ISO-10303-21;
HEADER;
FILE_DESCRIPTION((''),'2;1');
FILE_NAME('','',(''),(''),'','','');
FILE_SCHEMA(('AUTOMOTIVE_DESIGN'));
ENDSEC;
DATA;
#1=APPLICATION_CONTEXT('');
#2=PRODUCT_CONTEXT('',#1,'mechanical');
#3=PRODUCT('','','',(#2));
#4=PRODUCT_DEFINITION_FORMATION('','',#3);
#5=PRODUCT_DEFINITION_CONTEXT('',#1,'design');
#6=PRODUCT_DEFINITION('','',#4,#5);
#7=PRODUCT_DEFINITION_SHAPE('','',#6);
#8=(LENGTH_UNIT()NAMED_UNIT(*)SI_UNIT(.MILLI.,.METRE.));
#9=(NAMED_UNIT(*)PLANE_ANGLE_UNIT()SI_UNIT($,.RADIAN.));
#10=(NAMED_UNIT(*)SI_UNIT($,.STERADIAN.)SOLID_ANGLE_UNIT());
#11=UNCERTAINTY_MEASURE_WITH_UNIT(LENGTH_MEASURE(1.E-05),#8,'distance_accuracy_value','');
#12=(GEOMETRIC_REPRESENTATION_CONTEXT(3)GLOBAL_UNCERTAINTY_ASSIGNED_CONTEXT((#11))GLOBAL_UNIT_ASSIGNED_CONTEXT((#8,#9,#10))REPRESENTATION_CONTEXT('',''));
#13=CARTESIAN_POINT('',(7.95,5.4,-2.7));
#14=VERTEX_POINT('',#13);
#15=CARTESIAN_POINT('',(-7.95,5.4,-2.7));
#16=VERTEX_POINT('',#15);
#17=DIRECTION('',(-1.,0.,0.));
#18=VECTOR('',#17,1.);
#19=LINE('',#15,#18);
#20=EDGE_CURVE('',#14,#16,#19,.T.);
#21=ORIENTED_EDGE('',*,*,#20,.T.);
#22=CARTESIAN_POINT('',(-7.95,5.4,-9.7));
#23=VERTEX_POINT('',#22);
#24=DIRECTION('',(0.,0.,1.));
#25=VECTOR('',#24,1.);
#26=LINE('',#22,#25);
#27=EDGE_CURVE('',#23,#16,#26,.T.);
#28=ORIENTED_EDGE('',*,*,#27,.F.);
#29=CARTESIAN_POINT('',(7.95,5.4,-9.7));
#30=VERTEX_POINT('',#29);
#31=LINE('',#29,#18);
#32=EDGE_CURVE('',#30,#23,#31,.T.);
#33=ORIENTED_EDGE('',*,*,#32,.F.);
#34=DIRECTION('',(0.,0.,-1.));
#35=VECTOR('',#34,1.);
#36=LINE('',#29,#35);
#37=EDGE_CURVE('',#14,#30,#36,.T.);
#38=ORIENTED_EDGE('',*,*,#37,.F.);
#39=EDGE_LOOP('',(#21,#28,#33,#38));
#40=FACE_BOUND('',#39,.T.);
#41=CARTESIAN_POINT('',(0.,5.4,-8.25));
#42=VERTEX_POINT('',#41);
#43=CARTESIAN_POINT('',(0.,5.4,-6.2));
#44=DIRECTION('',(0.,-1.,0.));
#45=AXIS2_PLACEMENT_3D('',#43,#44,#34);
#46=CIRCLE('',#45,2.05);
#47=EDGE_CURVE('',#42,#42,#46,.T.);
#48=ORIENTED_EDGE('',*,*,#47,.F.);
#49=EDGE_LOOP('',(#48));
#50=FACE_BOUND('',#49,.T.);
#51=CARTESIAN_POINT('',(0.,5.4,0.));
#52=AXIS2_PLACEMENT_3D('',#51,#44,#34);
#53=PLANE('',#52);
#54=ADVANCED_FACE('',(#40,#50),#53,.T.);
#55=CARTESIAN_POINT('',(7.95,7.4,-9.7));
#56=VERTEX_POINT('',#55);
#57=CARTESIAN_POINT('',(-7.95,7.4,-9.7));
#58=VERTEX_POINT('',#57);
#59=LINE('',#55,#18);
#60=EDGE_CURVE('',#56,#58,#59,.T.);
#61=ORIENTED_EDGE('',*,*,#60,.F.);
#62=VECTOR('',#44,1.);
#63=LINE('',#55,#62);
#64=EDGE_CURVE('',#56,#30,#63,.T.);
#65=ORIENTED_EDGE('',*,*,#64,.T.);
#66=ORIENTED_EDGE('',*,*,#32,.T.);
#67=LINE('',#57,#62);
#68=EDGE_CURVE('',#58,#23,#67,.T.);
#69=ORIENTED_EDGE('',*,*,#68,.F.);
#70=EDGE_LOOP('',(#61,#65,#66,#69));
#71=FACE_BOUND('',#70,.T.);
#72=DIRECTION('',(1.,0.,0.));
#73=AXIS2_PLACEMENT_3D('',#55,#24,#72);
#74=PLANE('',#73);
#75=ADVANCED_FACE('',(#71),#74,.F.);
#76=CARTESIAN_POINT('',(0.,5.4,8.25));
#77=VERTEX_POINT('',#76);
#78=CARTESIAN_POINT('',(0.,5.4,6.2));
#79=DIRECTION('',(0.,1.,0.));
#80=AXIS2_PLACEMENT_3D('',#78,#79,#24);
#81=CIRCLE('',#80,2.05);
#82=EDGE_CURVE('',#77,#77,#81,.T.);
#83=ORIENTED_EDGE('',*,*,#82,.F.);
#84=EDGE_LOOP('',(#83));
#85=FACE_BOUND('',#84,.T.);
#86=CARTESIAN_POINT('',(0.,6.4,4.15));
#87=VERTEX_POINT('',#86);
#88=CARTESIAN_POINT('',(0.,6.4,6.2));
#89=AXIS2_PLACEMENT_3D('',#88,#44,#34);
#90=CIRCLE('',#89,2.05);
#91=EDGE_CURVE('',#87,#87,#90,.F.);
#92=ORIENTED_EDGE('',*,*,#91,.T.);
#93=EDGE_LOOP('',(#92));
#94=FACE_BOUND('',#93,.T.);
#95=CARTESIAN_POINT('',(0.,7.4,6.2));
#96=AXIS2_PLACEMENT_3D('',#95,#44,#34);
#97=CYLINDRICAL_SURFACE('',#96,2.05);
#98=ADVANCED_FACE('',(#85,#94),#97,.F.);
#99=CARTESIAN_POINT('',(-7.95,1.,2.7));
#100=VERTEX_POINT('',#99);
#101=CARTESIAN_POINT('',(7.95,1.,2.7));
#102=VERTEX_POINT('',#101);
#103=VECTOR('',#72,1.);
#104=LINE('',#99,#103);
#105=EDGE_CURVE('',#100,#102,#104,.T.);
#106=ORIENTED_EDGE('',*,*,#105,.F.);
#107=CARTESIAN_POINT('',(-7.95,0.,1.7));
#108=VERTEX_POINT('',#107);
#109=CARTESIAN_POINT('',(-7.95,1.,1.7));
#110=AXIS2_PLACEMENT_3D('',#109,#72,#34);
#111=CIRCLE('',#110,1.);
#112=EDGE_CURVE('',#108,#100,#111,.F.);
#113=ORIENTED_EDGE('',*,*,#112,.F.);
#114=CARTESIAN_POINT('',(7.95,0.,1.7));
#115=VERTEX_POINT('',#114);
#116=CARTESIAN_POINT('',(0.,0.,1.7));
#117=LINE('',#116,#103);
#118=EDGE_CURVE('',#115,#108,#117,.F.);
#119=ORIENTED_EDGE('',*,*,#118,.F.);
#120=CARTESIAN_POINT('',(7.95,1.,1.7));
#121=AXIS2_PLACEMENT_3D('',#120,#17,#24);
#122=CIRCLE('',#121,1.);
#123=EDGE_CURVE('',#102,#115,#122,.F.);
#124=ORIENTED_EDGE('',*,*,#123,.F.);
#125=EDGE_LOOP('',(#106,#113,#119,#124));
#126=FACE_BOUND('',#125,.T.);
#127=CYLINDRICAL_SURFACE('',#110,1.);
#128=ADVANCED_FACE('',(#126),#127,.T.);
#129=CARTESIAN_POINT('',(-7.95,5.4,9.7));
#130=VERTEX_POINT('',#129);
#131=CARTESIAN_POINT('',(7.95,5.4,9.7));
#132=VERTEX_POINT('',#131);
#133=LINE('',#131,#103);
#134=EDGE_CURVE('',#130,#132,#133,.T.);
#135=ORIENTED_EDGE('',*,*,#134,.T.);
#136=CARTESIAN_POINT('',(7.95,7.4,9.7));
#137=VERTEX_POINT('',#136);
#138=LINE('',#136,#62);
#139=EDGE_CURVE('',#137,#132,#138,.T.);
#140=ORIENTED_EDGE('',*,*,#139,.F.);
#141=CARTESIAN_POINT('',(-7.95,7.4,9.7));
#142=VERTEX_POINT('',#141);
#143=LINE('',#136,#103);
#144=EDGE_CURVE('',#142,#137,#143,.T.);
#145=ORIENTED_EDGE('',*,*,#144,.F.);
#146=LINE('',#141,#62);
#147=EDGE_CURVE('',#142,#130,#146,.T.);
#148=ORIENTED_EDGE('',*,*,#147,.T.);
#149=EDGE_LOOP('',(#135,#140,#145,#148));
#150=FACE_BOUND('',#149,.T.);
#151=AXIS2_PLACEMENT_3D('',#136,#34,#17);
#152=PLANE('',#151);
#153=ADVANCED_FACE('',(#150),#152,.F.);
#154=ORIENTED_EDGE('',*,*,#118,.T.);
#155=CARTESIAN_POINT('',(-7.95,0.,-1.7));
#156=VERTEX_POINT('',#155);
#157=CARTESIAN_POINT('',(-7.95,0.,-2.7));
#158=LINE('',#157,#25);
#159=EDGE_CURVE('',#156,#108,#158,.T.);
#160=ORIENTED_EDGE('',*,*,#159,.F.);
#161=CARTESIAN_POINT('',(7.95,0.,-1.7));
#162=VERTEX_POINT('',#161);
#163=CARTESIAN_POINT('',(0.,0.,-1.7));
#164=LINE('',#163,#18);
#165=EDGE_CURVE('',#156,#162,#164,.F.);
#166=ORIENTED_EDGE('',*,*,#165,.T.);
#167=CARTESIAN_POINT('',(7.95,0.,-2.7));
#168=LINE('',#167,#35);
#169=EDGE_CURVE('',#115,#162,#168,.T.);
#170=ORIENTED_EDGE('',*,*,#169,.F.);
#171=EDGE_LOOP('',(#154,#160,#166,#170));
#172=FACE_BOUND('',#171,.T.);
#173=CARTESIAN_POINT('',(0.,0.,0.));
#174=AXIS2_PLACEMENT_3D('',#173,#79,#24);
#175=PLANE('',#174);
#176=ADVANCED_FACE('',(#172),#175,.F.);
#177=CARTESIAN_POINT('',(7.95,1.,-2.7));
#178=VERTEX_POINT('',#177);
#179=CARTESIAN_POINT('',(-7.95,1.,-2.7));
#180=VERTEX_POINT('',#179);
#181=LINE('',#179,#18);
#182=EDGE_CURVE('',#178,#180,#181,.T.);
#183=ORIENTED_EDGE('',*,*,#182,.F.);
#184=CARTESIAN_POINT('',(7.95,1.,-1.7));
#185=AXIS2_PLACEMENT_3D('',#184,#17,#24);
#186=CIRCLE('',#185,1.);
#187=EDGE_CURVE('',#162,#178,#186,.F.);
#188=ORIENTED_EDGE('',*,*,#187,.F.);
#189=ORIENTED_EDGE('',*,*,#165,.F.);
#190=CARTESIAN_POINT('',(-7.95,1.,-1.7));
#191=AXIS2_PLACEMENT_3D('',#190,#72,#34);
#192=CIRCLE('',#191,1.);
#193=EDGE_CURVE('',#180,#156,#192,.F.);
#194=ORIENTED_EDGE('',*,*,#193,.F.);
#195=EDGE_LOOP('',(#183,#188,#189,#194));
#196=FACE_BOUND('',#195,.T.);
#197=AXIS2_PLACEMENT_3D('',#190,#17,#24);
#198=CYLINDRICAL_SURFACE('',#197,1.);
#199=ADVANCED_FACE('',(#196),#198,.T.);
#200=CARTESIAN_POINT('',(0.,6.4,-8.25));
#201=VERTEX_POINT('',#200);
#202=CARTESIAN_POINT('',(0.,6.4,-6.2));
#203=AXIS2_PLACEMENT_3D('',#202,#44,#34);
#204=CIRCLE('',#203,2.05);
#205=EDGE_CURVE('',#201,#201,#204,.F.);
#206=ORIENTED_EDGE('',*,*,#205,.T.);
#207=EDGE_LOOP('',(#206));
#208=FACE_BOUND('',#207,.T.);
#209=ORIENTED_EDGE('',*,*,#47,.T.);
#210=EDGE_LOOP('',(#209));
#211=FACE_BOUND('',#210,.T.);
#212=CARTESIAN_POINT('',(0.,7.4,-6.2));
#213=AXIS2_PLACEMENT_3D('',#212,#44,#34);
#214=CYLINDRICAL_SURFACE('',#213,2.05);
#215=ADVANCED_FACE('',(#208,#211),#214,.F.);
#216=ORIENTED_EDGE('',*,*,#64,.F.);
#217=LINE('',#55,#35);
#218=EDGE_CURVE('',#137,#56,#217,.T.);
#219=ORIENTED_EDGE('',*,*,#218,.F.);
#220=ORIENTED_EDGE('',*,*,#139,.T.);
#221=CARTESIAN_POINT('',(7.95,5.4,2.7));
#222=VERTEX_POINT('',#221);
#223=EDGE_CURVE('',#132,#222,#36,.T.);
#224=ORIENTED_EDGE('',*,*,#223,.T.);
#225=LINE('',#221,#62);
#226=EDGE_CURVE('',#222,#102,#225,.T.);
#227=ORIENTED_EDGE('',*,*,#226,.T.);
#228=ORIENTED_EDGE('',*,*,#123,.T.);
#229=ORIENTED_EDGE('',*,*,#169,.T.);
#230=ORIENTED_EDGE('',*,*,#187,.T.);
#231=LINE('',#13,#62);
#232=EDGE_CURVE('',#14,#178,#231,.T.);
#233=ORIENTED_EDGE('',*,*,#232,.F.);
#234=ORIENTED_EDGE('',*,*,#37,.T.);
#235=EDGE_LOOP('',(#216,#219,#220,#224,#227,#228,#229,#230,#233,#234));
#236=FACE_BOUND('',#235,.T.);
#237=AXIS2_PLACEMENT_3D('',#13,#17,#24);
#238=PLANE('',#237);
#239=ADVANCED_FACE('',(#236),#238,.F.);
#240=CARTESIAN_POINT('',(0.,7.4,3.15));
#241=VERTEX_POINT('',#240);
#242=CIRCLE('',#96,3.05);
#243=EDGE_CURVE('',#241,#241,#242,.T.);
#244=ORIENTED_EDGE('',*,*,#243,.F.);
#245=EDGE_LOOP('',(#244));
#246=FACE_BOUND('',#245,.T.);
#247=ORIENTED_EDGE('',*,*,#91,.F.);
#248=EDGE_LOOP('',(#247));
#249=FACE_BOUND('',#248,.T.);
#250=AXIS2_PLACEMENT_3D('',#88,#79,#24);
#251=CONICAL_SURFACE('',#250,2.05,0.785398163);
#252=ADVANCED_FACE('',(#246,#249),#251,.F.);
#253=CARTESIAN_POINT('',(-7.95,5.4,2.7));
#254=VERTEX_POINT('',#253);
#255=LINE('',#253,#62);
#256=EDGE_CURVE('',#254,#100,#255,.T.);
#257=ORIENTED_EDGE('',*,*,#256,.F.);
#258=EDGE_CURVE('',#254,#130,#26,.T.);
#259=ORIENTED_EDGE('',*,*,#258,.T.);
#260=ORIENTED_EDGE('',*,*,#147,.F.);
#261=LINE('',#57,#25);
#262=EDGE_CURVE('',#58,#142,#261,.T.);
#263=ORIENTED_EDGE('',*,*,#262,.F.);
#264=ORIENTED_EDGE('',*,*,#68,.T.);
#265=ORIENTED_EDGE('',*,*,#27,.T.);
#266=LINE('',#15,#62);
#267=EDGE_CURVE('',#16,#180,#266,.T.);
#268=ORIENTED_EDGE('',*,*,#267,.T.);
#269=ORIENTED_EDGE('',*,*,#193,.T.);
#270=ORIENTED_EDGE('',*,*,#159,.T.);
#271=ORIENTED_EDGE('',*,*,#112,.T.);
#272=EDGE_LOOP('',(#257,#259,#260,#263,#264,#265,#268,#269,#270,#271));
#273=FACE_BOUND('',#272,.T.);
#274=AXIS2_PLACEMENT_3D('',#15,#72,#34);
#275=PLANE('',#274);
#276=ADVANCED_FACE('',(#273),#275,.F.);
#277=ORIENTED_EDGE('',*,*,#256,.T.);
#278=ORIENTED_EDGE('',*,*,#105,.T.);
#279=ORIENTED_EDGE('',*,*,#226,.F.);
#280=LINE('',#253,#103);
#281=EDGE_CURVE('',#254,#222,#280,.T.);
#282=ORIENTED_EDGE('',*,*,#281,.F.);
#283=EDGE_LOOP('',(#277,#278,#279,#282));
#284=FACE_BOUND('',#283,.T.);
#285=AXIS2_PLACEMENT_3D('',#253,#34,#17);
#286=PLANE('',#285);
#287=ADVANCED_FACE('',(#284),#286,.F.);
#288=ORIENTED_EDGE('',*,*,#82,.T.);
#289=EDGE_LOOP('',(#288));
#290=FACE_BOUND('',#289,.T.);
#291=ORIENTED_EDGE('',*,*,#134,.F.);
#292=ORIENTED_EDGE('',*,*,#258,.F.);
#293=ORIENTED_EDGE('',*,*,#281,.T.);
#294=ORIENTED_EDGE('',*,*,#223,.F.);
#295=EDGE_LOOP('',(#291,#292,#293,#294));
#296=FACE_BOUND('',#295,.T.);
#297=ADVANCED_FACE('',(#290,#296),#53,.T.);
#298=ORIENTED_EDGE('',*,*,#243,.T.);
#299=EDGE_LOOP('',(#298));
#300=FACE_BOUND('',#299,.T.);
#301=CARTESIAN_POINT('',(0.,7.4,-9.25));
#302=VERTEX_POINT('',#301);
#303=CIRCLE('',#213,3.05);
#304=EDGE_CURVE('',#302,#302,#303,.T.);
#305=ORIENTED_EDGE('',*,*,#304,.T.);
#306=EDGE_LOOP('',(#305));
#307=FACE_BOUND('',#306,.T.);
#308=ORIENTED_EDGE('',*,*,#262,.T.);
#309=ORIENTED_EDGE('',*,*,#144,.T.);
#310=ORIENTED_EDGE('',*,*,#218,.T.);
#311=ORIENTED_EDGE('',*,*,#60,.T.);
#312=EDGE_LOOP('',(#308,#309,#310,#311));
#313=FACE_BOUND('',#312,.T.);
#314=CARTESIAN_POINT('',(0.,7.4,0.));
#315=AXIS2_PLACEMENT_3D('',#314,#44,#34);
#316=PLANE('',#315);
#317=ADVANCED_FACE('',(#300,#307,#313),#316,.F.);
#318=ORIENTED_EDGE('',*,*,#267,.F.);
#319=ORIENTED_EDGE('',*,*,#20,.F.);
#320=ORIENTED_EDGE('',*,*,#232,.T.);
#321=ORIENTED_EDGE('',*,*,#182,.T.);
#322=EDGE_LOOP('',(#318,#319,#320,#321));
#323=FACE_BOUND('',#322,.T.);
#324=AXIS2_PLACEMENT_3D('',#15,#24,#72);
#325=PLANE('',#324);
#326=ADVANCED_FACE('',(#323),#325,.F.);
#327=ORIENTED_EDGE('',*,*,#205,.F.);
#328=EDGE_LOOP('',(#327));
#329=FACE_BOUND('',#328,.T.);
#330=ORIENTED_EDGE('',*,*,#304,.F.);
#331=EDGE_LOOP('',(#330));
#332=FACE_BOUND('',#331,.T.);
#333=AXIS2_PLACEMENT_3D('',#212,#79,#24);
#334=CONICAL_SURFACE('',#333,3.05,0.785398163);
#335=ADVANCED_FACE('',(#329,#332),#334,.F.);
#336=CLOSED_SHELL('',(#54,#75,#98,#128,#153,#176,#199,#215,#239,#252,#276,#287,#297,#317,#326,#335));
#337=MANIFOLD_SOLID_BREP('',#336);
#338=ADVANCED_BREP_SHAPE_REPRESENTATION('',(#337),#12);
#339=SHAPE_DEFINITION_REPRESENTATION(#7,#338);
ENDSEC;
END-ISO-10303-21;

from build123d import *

# Parameters (mm, degrees)
SKETCH_1_W          = 15.9
SKETCH_1_H          = 5.4
EXTRUDE_1_DEPTH     = 5.4
SKETCH_2_W          = 15.9
SKETCH_2_H          = 19.4
EXTRUDE_2_DEPTH     = 2
SKETCH_3_R          = 2.05
CUT_EXTRUDE_2_DEPTH = 14.654761074
CHAMFER_1_SIZE      = 1
FILLET_1_R          = 1


with BuildPart() as part:
    # 草图1 → 凸台-拉伸1 (new body)
    with BuildSketch(Plane(origin=(0, 0, 0), x_dir=(1, 0, 0), z_dir=(0, 1, 0))):
        Rectangle(SKETCH_1_W, SKETCH_1_H)
    extrude(amount=EXTRUDE_1_DEPTH)

    # 草图2 → 凸台-拉伸2 (add)
    with BuildSketch(Plane(origin=(0, 5.4, 0), x_dir=(1, 0, 0), z_dir=(0, 1, 0))):
        Rectangle(SKETCH_2_W, SKETCH_2_H)
    extrude(amount=EXTRUDE_2_DEPTH)

    # 草图3 → 切除-拉伸2 (cut, through all)
    with BuildSketch(Plane(origin=(0, 5.4, 0), x_dir=(-1, 0, 0), z_dir=(0, -1, 0))):
        with Locations(Location((0, 6.2, 0), (0, 0, 90))):
            Circle(SKETCH_3_R)
    cut_extrude_2 = extrude(amount=-CUT_EXTRUDE_2_DEPTH, mode=Mode.SUBTRACT)

    # 镜向2: 切除-拉伸2 across plane
    add(cut_extrude_2.mirror(Plane.XY), mode=Mode.SUBTRACT)

    # 倒角1
    chamfer_1_edges = [part.edges().sort_by_distance(p)[0] for p in [
        (0, 7.4, -4.15),
        (0, 7.4, 4.15),
    ]]
    chamfer(chamfer_1_edges, length=CHAMFER_1_SIZE)

    # 圆角1
    fillet_1_edges = [part.edges().sort_by_distance(p)[0] for p in [
        (0, 0, 2.7),
        (0, 0, -2.7),
    ]]
    fillet(fillet_1_edges, radius=FILLET_1_R)


solid = part.part
